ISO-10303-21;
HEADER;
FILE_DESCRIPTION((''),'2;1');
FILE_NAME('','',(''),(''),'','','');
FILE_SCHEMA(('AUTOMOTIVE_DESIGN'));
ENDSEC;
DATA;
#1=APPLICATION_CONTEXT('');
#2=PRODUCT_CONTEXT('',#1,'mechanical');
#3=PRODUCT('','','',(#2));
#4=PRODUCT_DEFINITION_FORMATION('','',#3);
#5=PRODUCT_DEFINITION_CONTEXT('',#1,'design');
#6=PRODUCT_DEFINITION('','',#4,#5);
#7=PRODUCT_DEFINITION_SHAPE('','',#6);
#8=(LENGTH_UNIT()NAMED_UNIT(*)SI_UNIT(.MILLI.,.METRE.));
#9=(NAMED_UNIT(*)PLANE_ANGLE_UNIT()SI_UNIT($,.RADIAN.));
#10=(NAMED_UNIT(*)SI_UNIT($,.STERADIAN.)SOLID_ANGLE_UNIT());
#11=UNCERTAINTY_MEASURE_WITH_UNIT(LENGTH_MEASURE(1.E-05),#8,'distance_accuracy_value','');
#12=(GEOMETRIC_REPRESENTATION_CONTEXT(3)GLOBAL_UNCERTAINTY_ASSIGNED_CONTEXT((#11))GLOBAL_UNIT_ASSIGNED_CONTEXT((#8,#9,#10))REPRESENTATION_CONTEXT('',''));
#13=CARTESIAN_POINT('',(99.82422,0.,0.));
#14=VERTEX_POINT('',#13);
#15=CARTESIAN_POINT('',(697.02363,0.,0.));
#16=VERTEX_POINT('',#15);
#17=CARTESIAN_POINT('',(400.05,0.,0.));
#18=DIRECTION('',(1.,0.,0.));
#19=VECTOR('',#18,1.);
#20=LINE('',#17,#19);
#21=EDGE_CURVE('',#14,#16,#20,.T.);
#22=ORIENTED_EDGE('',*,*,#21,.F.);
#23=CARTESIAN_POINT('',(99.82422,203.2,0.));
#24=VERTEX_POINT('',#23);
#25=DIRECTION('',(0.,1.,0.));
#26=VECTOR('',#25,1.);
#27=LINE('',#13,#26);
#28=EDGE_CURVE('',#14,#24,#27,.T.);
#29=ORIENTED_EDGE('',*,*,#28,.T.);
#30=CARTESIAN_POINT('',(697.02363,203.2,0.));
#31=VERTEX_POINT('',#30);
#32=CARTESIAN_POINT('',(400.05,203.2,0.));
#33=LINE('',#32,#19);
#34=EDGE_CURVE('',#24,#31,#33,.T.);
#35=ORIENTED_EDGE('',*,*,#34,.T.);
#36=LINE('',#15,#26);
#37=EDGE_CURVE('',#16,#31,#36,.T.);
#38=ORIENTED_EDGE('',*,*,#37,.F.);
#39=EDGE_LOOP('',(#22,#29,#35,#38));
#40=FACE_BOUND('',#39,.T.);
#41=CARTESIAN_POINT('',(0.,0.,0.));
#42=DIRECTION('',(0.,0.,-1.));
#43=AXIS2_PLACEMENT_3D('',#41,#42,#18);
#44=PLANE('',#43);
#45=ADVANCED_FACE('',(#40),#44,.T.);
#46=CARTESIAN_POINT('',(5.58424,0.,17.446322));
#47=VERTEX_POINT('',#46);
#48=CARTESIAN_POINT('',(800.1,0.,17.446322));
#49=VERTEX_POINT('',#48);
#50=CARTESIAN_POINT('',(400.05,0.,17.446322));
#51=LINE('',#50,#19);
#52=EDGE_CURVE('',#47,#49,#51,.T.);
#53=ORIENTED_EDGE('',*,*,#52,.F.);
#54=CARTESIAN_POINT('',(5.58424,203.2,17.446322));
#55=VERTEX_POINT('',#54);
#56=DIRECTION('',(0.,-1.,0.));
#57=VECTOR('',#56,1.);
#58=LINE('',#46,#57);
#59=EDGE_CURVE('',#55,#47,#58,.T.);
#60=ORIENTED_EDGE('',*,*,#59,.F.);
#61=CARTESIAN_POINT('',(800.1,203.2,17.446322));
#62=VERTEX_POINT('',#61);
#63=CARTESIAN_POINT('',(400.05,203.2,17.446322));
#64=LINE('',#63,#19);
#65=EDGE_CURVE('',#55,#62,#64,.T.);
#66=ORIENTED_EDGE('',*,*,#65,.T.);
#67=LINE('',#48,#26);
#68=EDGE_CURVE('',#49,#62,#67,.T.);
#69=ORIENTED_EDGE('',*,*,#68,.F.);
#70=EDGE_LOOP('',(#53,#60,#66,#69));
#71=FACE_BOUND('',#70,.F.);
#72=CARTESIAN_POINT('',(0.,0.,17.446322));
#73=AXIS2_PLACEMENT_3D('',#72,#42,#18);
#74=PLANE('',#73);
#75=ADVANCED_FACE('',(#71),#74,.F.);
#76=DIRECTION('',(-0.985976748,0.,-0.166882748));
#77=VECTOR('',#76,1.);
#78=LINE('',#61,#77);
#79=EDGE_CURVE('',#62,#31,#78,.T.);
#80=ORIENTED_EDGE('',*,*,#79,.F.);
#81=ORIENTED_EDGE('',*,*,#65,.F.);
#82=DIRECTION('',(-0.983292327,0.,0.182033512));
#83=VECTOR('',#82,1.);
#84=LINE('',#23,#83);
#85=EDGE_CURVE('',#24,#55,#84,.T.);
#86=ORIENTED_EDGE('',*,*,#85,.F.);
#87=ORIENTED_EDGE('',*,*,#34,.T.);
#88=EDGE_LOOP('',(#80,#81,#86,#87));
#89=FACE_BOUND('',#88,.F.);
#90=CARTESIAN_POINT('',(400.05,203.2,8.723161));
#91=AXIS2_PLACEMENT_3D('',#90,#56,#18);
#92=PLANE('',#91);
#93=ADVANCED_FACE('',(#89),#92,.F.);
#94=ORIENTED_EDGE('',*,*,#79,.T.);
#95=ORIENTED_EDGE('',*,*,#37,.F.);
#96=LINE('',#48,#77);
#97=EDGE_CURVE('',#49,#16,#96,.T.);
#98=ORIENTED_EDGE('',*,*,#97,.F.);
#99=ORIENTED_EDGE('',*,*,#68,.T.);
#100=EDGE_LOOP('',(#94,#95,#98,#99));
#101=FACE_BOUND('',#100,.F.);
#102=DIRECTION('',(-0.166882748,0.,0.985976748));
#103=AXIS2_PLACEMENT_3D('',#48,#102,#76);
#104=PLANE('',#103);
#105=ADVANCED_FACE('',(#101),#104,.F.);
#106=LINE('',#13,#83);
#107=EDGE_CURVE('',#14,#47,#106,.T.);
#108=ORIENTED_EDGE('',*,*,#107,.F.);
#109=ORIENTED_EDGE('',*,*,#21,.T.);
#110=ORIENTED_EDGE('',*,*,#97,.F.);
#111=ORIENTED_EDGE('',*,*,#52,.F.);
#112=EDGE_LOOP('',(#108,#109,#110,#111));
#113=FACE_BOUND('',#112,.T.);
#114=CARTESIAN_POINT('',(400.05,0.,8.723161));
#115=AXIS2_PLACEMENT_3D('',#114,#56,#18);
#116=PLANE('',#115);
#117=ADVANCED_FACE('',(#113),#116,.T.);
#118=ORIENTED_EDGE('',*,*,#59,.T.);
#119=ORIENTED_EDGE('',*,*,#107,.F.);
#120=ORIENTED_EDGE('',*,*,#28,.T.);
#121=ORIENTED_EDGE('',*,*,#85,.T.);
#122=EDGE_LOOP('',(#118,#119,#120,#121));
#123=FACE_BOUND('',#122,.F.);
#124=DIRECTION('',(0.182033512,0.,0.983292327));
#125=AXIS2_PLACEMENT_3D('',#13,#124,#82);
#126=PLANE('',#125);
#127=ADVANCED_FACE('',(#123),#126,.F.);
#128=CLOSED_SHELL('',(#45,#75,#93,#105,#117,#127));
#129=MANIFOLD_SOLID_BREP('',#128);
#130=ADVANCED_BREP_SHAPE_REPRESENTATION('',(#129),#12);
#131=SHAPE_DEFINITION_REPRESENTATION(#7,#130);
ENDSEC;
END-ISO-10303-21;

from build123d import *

# Parameters (mm, degrees)
F0_W     = 800.1
F0_H     = 17.446322
F1_DEPTH = 203.2
F3_DEPTH = 203.2
F5_DEPTH = 203.2


with BuildPart() as f1:
    # F0 (on Front) → F1 (new body)
    with BuildSketch(Plane.XZ):
        with Locations((400.05, 8.723161)):
            Rectangle(F0_W, F0_H)
    extrude(amount=-F1_DEPTH)

    # F2 (on Front) → F3 (cut)
    with BuildSketch(Plane.XZ):
        Polygon((0, 18.480113), (0, 0), (99.82422, 0), align=None)
    extrude(amount=-F3_DEPTH, mode=Mode.SUBTRACT)

    # F4 (on face) → F5 (cut)
    with BuildSketch(Plane.XZ):
        Polygon((800.1, 17.446322), (697.02363, 0), (800.1, 0), align=None)
    extrude(amount=-F5_DEPTH, mode=Mode.SUBTRACT)


solid = f1.part
